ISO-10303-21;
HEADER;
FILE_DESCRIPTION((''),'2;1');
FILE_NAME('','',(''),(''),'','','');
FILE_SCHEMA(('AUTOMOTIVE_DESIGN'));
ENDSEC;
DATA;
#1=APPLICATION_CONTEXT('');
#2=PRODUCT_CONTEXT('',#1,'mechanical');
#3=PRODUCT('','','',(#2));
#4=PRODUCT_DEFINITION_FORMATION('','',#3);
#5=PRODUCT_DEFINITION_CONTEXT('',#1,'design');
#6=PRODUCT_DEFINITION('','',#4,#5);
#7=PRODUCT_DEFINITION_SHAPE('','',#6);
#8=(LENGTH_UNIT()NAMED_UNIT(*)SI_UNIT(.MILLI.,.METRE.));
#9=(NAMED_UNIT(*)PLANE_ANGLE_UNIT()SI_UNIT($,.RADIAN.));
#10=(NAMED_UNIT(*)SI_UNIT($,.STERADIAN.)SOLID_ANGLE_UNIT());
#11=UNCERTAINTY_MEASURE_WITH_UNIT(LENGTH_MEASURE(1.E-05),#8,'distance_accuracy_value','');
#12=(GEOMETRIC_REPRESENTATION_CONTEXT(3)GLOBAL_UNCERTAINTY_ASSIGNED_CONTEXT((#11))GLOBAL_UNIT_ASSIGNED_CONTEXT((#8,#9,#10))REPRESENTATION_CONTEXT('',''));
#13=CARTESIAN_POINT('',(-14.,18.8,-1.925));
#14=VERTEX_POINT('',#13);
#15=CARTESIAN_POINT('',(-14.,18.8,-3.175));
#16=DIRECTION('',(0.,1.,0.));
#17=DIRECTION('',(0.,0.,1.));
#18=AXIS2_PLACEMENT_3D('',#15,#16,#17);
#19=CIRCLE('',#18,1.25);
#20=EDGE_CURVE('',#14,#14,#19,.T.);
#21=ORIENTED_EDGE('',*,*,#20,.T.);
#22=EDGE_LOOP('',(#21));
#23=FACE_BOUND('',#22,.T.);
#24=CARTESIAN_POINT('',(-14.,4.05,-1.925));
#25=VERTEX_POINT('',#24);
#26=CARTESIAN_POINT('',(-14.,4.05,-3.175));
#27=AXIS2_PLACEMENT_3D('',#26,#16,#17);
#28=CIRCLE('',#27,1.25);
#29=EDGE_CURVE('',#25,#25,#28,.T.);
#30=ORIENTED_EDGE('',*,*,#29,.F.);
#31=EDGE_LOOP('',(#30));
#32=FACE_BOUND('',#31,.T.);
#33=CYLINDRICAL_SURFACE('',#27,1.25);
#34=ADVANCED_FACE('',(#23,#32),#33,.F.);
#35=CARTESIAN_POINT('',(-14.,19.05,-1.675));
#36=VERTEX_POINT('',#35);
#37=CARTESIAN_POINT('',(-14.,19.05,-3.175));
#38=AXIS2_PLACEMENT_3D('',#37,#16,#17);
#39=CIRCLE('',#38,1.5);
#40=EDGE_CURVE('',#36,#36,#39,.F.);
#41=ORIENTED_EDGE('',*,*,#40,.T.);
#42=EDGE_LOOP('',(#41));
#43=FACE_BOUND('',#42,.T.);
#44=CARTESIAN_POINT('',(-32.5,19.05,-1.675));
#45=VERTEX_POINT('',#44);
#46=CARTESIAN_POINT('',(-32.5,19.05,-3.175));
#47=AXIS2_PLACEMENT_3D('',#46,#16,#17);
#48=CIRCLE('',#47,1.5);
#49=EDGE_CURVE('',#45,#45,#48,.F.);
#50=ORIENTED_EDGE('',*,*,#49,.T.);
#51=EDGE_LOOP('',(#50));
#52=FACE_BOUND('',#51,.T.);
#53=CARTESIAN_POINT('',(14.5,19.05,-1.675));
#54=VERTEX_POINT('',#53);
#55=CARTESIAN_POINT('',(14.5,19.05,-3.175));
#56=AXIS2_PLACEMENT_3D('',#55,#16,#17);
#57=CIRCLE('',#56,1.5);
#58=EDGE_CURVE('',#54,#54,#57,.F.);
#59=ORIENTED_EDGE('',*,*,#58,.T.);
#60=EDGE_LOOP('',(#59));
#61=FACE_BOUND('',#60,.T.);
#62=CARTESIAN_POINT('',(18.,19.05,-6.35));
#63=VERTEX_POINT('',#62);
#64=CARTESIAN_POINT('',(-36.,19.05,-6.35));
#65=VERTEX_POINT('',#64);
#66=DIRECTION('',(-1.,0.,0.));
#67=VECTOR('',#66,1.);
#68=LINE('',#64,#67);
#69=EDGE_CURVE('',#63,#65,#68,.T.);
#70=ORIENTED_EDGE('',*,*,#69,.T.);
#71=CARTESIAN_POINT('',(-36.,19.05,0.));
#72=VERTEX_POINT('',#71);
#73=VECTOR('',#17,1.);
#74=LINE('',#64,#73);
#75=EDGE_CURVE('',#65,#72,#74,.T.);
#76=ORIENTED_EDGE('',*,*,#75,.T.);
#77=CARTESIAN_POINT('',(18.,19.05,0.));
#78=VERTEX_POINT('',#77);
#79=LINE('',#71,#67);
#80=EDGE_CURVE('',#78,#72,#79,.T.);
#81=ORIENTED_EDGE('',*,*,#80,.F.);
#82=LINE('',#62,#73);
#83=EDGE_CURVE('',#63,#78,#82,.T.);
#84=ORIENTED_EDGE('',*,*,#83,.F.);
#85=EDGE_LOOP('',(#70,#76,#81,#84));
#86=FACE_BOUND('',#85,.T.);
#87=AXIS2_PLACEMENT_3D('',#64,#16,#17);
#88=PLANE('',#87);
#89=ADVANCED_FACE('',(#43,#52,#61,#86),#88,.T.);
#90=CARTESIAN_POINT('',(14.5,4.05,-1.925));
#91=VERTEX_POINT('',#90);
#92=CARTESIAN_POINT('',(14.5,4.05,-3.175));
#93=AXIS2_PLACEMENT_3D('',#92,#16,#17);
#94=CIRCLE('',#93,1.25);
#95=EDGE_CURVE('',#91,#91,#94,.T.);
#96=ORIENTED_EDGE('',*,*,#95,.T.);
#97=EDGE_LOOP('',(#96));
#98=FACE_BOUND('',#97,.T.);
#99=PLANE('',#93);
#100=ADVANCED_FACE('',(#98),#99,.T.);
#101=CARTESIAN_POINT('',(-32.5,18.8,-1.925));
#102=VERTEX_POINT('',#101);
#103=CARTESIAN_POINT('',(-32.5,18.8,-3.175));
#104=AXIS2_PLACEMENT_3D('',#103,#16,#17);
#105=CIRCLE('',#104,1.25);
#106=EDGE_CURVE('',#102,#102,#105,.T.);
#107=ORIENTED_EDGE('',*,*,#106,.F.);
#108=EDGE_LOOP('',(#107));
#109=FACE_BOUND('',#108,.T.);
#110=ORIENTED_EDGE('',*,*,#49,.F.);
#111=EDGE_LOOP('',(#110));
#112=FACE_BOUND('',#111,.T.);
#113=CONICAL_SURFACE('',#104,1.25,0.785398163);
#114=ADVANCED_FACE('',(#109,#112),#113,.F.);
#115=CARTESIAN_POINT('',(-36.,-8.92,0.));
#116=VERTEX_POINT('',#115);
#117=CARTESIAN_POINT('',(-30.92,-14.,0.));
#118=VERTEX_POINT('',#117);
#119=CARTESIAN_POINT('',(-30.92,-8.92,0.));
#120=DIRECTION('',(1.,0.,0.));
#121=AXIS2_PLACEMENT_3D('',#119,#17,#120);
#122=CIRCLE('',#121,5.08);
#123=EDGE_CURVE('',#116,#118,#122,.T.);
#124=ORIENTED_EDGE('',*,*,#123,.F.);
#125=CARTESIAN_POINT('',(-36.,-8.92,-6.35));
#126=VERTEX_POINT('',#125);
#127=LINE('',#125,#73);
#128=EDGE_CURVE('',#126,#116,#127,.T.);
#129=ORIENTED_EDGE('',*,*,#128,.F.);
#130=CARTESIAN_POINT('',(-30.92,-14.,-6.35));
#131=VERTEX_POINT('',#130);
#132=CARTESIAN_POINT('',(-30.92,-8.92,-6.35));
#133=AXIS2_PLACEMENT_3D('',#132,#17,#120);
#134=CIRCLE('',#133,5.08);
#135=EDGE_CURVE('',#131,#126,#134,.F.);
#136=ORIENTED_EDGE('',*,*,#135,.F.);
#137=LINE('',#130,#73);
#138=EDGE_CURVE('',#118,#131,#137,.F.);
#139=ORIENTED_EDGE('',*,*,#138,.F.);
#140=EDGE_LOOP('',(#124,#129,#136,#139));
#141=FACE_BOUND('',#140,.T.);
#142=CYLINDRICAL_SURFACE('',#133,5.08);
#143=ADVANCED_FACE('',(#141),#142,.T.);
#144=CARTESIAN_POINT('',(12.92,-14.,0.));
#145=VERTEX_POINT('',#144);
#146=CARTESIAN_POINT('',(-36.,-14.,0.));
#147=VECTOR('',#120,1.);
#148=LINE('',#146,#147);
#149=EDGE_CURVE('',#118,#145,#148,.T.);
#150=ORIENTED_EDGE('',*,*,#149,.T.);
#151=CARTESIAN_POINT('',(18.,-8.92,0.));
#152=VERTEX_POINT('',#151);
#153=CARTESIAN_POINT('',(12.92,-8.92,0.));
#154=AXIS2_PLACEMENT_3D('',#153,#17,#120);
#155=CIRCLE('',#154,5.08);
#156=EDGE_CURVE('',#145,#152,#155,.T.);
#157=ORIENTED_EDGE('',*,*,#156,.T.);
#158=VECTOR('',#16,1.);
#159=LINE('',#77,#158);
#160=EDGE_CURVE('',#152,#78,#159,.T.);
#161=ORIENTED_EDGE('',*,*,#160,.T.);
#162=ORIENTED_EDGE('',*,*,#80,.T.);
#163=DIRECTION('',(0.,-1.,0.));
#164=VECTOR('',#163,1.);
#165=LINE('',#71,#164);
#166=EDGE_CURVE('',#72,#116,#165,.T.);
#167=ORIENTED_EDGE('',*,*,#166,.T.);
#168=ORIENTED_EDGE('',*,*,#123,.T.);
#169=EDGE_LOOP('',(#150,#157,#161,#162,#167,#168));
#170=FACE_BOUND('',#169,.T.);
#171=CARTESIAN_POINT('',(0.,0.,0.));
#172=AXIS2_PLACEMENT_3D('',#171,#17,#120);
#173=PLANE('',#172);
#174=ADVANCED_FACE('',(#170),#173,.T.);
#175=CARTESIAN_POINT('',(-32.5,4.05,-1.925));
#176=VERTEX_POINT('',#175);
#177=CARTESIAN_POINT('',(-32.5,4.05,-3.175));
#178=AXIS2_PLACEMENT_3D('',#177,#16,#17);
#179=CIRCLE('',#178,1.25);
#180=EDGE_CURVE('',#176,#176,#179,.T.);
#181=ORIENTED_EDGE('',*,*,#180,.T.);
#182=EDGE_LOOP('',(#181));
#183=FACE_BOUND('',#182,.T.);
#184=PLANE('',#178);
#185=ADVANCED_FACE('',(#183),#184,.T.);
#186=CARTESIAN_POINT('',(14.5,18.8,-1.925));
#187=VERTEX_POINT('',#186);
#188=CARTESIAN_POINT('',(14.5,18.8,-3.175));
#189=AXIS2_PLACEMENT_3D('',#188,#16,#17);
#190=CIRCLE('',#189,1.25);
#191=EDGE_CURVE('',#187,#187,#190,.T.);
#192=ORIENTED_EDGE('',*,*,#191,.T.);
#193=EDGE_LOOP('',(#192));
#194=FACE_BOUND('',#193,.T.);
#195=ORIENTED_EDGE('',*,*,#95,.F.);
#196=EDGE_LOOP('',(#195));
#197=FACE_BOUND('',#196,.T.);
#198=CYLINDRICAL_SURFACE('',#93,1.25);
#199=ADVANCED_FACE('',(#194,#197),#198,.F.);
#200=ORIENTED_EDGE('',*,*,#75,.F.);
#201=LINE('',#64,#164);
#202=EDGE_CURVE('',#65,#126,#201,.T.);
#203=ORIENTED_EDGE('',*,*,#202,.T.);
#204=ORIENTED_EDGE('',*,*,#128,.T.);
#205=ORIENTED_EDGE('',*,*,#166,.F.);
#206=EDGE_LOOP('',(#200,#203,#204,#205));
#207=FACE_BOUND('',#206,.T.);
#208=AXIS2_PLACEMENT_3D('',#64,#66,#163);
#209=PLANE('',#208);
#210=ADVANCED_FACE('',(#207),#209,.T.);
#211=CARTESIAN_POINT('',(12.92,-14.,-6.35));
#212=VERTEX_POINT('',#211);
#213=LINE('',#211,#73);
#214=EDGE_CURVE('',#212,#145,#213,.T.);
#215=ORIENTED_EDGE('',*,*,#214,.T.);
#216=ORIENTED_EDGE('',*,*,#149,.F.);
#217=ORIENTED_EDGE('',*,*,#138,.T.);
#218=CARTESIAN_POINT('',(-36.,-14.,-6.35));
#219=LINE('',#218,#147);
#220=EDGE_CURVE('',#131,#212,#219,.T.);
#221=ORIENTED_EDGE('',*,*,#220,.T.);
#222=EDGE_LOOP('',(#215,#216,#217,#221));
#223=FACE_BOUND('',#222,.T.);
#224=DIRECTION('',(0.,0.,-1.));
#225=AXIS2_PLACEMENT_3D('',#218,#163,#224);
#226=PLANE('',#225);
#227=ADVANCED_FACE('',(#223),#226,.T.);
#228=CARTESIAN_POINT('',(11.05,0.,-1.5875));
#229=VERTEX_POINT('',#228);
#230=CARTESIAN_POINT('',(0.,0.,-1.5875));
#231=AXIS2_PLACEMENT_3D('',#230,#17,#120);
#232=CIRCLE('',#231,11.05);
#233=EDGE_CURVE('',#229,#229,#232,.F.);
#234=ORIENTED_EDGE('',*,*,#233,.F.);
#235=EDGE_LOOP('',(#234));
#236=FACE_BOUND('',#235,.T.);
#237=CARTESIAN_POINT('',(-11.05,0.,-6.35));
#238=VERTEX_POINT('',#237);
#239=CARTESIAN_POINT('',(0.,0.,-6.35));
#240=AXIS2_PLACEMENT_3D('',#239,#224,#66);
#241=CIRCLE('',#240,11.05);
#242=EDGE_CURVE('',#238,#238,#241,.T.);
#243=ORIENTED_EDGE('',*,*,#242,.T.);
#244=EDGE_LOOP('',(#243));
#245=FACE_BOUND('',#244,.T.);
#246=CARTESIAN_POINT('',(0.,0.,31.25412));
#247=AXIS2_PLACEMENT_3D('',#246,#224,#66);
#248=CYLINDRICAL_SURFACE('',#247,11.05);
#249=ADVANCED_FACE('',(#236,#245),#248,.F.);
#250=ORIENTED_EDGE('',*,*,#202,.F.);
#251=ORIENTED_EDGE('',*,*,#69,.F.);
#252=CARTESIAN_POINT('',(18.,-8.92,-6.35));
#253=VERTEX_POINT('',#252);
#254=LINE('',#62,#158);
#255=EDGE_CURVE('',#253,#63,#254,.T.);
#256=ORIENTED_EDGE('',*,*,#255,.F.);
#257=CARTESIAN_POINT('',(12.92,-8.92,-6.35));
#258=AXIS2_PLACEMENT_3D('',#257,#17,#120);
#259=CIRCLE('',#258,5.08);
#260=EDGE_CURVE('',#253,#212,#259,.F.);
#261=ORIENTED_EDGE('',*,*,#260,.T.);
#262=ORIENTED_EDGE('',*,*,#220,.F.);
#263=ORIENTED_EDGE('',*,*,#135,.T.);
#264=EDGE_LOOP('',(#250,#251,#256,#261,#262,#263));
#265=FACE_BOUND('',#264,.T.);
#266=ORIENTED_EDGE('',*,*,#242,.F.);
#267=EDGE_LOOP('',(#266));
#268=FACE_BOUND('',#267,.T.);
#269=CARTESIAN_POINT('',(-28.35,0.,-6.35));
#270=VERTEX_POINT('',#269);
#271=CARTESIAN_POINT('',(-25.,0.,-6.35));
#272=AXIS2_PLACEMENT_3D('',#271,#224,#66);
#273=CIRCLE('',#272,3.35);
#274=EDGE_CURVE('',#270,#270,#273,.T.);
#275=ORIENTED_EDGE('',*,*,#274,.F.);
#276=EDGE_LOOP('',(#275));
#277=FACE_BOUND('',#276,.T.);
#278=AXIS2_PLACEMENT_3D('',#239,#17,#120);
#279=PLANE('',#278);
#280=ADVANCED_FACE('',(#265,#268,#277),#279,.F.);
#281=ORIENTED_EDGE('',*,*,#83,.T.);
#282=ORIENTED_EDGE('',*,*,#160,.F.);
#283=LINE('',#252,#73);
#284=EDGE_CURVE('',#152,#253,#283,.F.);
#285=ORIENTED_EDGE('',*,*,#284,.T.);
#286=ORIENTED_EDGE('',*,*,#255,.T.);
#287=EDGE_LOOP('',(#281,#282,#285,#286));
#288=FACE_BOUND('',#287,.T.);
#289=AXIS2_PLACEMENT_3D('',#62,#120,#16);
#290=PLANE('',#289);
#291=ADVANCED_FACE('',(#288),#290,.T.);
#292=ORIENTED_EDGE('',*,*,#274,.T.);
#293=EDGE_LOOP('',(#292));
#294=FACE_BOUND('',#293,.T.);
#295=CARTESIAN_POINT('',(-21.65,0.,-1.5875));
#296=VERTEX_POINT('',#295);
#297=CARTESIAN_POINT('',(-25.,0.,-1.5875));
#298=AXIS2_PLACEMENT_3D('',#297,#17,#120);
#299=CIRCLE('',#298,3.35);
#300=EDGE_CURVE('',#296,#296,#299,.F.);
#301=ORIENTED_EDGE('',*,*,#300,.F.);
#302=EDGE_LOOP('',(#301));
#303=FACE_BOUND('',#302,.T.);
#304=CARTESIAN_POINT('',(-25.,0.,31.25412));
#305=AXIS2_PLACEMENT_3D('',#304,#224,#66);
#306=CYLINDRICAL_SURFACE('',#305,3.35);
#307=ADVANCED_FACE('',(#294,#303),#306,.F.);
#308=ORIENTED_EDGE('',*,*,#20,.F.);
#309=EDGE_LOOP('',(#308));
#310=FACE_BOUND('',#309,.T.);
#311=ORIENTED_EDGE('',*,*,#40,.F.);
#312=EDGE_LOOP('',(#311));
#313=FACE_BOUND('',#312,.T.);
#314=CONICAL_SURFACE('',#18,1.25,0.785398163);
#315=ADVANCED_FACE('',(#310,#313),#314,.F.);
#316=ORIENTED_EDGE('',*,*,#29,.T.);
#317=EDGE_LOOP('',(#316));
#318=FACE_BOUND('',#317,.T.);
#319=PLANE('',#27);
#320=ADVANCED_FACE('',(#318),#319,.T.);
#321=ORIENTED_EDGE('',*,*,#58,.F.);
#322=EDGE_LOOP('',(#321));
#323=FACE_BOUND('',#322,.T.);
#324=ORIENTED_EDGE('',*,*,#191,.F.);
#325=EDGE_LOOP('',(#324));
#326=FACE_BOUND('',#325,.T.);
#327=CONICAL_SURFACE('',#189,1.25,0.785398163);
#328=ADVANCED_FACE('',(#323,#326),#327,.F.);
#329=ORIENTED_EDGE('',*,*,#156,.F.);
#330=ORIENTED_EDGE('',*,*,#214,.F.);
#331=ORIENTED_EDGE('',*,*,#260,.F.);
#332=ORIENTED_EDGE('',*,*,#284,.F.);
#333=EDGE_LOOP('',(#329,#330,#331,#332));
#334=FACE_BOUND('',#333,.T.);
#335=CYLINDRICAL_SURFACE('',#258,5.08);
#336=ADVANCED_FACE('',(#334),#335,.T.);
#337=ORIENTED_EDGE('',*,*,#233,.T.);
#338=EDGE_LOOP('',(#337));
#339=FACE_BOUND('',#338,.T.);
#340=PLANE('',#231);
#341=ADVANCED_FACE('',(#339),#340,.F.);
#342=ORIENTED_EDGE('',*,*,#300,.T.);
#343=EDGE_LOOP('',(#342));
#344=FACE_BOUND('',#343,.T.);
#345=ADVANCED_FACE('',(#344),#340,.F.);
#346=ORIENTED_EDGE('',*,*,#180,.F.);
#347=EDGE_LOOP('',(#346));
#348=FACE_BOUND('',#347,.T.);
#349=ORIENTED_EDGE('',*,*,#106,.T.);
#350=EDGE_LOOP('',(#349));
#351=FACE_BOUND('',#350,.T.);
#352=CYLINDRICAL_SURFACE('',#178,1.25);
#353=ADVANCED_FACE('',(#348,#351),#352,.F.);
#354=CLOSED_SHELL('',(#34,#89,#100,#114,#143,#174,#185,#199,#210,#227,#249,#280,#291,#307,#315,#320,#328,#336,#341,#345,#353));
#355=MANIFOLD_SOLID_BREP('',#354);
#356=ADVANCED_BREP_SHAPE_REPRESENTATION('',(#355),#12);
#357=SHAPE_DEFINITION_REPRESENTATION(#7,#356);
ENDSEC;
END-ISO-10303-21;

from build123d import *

# Parameters (mm, degrees)
SKETCH1_W           = 54
SKETCH1_H           = 33.05
BOSS_EXTRUDE1_DEPTH = 6.35
SKETCH8_R           = 1.25
CUT_EXTRUDE4_DEPTH  = 15
FILLET3_R           = 5.08
SKETCH10_R          = 3.35
SKETCH10_R_2        = 11.05
CUT_EXTRUDE5_DEPTH  = 4.7625
CHAMFER1_SIZE       = 0.25


with BuildPart() as part:
    # Sketch1 → Boss-Extrude1 (new body)
    with BuildSketch(Plane.XY):
        with Locations((-9, 2.525)):
            Rectangle(SKETCH1_W, SKETCH1_H)
    extrude(amount=-BOSS_EXTRUDE1_DEPTH)

    # Sketch8 → Cut-Extrude4 (cut)
    with BuildSketch(Plane(origin=(0, 19.05, 0), x_dir=(1, 0, 0), z_dir=(0, 1, 0))):
        with Locations(Location((-32.5, 3.175, 0), (0, 0, 270))):
            Circle(SKETCH8_R)
        with Locations(Location((-14, 3.175, 0), (0, 0, 270))):
            Circle(SKETCH8_R)
        with Locations(Location((14.5, 3.175, 0), (0, 0, 270))):
            Circle(SKETCH8_R)
    extrude(amount=-CUT_EXTRUDE4_DEPTH, mode=Mode.SUBTRACT)

    # Fillet3
    fillet3_edges = [part.edges().sort_by_distance(p)[0] for p in [
        (18, -14, -3.175),
        (-36, -14, -3.175),
    ]]
    fillet(fillet3_edges, radius=FILLET3_R)

    # Sketch10 → Cut-Extrude5 (cut)
    with BuildSketch(Plane(origin=(0, 0, -6.35), x_dir=(-1, 0, 0), z_dir=(0, 0, -1))):
        with Locations((25, 0)):
            Circle(SKETCH10_R)
        Circle(SKETCH10_R_2)
    extrude(amount=-CUT_EXTRUDE5_DEPTH, mode=Mode.SUBTRACT)

    # Chamfer1
    chamfer1_edges = [part.edges().sort_by_distance(p)[0] for p in [
        (-32.5, 19.05, -4.425),
        (-14, 19.05, -4.425),
        (14.5, 19.05, -4.425),
    ]]
    chamfer(chamfer1_edges, length=CHAMFER1_SIZE)


solid = part.part
